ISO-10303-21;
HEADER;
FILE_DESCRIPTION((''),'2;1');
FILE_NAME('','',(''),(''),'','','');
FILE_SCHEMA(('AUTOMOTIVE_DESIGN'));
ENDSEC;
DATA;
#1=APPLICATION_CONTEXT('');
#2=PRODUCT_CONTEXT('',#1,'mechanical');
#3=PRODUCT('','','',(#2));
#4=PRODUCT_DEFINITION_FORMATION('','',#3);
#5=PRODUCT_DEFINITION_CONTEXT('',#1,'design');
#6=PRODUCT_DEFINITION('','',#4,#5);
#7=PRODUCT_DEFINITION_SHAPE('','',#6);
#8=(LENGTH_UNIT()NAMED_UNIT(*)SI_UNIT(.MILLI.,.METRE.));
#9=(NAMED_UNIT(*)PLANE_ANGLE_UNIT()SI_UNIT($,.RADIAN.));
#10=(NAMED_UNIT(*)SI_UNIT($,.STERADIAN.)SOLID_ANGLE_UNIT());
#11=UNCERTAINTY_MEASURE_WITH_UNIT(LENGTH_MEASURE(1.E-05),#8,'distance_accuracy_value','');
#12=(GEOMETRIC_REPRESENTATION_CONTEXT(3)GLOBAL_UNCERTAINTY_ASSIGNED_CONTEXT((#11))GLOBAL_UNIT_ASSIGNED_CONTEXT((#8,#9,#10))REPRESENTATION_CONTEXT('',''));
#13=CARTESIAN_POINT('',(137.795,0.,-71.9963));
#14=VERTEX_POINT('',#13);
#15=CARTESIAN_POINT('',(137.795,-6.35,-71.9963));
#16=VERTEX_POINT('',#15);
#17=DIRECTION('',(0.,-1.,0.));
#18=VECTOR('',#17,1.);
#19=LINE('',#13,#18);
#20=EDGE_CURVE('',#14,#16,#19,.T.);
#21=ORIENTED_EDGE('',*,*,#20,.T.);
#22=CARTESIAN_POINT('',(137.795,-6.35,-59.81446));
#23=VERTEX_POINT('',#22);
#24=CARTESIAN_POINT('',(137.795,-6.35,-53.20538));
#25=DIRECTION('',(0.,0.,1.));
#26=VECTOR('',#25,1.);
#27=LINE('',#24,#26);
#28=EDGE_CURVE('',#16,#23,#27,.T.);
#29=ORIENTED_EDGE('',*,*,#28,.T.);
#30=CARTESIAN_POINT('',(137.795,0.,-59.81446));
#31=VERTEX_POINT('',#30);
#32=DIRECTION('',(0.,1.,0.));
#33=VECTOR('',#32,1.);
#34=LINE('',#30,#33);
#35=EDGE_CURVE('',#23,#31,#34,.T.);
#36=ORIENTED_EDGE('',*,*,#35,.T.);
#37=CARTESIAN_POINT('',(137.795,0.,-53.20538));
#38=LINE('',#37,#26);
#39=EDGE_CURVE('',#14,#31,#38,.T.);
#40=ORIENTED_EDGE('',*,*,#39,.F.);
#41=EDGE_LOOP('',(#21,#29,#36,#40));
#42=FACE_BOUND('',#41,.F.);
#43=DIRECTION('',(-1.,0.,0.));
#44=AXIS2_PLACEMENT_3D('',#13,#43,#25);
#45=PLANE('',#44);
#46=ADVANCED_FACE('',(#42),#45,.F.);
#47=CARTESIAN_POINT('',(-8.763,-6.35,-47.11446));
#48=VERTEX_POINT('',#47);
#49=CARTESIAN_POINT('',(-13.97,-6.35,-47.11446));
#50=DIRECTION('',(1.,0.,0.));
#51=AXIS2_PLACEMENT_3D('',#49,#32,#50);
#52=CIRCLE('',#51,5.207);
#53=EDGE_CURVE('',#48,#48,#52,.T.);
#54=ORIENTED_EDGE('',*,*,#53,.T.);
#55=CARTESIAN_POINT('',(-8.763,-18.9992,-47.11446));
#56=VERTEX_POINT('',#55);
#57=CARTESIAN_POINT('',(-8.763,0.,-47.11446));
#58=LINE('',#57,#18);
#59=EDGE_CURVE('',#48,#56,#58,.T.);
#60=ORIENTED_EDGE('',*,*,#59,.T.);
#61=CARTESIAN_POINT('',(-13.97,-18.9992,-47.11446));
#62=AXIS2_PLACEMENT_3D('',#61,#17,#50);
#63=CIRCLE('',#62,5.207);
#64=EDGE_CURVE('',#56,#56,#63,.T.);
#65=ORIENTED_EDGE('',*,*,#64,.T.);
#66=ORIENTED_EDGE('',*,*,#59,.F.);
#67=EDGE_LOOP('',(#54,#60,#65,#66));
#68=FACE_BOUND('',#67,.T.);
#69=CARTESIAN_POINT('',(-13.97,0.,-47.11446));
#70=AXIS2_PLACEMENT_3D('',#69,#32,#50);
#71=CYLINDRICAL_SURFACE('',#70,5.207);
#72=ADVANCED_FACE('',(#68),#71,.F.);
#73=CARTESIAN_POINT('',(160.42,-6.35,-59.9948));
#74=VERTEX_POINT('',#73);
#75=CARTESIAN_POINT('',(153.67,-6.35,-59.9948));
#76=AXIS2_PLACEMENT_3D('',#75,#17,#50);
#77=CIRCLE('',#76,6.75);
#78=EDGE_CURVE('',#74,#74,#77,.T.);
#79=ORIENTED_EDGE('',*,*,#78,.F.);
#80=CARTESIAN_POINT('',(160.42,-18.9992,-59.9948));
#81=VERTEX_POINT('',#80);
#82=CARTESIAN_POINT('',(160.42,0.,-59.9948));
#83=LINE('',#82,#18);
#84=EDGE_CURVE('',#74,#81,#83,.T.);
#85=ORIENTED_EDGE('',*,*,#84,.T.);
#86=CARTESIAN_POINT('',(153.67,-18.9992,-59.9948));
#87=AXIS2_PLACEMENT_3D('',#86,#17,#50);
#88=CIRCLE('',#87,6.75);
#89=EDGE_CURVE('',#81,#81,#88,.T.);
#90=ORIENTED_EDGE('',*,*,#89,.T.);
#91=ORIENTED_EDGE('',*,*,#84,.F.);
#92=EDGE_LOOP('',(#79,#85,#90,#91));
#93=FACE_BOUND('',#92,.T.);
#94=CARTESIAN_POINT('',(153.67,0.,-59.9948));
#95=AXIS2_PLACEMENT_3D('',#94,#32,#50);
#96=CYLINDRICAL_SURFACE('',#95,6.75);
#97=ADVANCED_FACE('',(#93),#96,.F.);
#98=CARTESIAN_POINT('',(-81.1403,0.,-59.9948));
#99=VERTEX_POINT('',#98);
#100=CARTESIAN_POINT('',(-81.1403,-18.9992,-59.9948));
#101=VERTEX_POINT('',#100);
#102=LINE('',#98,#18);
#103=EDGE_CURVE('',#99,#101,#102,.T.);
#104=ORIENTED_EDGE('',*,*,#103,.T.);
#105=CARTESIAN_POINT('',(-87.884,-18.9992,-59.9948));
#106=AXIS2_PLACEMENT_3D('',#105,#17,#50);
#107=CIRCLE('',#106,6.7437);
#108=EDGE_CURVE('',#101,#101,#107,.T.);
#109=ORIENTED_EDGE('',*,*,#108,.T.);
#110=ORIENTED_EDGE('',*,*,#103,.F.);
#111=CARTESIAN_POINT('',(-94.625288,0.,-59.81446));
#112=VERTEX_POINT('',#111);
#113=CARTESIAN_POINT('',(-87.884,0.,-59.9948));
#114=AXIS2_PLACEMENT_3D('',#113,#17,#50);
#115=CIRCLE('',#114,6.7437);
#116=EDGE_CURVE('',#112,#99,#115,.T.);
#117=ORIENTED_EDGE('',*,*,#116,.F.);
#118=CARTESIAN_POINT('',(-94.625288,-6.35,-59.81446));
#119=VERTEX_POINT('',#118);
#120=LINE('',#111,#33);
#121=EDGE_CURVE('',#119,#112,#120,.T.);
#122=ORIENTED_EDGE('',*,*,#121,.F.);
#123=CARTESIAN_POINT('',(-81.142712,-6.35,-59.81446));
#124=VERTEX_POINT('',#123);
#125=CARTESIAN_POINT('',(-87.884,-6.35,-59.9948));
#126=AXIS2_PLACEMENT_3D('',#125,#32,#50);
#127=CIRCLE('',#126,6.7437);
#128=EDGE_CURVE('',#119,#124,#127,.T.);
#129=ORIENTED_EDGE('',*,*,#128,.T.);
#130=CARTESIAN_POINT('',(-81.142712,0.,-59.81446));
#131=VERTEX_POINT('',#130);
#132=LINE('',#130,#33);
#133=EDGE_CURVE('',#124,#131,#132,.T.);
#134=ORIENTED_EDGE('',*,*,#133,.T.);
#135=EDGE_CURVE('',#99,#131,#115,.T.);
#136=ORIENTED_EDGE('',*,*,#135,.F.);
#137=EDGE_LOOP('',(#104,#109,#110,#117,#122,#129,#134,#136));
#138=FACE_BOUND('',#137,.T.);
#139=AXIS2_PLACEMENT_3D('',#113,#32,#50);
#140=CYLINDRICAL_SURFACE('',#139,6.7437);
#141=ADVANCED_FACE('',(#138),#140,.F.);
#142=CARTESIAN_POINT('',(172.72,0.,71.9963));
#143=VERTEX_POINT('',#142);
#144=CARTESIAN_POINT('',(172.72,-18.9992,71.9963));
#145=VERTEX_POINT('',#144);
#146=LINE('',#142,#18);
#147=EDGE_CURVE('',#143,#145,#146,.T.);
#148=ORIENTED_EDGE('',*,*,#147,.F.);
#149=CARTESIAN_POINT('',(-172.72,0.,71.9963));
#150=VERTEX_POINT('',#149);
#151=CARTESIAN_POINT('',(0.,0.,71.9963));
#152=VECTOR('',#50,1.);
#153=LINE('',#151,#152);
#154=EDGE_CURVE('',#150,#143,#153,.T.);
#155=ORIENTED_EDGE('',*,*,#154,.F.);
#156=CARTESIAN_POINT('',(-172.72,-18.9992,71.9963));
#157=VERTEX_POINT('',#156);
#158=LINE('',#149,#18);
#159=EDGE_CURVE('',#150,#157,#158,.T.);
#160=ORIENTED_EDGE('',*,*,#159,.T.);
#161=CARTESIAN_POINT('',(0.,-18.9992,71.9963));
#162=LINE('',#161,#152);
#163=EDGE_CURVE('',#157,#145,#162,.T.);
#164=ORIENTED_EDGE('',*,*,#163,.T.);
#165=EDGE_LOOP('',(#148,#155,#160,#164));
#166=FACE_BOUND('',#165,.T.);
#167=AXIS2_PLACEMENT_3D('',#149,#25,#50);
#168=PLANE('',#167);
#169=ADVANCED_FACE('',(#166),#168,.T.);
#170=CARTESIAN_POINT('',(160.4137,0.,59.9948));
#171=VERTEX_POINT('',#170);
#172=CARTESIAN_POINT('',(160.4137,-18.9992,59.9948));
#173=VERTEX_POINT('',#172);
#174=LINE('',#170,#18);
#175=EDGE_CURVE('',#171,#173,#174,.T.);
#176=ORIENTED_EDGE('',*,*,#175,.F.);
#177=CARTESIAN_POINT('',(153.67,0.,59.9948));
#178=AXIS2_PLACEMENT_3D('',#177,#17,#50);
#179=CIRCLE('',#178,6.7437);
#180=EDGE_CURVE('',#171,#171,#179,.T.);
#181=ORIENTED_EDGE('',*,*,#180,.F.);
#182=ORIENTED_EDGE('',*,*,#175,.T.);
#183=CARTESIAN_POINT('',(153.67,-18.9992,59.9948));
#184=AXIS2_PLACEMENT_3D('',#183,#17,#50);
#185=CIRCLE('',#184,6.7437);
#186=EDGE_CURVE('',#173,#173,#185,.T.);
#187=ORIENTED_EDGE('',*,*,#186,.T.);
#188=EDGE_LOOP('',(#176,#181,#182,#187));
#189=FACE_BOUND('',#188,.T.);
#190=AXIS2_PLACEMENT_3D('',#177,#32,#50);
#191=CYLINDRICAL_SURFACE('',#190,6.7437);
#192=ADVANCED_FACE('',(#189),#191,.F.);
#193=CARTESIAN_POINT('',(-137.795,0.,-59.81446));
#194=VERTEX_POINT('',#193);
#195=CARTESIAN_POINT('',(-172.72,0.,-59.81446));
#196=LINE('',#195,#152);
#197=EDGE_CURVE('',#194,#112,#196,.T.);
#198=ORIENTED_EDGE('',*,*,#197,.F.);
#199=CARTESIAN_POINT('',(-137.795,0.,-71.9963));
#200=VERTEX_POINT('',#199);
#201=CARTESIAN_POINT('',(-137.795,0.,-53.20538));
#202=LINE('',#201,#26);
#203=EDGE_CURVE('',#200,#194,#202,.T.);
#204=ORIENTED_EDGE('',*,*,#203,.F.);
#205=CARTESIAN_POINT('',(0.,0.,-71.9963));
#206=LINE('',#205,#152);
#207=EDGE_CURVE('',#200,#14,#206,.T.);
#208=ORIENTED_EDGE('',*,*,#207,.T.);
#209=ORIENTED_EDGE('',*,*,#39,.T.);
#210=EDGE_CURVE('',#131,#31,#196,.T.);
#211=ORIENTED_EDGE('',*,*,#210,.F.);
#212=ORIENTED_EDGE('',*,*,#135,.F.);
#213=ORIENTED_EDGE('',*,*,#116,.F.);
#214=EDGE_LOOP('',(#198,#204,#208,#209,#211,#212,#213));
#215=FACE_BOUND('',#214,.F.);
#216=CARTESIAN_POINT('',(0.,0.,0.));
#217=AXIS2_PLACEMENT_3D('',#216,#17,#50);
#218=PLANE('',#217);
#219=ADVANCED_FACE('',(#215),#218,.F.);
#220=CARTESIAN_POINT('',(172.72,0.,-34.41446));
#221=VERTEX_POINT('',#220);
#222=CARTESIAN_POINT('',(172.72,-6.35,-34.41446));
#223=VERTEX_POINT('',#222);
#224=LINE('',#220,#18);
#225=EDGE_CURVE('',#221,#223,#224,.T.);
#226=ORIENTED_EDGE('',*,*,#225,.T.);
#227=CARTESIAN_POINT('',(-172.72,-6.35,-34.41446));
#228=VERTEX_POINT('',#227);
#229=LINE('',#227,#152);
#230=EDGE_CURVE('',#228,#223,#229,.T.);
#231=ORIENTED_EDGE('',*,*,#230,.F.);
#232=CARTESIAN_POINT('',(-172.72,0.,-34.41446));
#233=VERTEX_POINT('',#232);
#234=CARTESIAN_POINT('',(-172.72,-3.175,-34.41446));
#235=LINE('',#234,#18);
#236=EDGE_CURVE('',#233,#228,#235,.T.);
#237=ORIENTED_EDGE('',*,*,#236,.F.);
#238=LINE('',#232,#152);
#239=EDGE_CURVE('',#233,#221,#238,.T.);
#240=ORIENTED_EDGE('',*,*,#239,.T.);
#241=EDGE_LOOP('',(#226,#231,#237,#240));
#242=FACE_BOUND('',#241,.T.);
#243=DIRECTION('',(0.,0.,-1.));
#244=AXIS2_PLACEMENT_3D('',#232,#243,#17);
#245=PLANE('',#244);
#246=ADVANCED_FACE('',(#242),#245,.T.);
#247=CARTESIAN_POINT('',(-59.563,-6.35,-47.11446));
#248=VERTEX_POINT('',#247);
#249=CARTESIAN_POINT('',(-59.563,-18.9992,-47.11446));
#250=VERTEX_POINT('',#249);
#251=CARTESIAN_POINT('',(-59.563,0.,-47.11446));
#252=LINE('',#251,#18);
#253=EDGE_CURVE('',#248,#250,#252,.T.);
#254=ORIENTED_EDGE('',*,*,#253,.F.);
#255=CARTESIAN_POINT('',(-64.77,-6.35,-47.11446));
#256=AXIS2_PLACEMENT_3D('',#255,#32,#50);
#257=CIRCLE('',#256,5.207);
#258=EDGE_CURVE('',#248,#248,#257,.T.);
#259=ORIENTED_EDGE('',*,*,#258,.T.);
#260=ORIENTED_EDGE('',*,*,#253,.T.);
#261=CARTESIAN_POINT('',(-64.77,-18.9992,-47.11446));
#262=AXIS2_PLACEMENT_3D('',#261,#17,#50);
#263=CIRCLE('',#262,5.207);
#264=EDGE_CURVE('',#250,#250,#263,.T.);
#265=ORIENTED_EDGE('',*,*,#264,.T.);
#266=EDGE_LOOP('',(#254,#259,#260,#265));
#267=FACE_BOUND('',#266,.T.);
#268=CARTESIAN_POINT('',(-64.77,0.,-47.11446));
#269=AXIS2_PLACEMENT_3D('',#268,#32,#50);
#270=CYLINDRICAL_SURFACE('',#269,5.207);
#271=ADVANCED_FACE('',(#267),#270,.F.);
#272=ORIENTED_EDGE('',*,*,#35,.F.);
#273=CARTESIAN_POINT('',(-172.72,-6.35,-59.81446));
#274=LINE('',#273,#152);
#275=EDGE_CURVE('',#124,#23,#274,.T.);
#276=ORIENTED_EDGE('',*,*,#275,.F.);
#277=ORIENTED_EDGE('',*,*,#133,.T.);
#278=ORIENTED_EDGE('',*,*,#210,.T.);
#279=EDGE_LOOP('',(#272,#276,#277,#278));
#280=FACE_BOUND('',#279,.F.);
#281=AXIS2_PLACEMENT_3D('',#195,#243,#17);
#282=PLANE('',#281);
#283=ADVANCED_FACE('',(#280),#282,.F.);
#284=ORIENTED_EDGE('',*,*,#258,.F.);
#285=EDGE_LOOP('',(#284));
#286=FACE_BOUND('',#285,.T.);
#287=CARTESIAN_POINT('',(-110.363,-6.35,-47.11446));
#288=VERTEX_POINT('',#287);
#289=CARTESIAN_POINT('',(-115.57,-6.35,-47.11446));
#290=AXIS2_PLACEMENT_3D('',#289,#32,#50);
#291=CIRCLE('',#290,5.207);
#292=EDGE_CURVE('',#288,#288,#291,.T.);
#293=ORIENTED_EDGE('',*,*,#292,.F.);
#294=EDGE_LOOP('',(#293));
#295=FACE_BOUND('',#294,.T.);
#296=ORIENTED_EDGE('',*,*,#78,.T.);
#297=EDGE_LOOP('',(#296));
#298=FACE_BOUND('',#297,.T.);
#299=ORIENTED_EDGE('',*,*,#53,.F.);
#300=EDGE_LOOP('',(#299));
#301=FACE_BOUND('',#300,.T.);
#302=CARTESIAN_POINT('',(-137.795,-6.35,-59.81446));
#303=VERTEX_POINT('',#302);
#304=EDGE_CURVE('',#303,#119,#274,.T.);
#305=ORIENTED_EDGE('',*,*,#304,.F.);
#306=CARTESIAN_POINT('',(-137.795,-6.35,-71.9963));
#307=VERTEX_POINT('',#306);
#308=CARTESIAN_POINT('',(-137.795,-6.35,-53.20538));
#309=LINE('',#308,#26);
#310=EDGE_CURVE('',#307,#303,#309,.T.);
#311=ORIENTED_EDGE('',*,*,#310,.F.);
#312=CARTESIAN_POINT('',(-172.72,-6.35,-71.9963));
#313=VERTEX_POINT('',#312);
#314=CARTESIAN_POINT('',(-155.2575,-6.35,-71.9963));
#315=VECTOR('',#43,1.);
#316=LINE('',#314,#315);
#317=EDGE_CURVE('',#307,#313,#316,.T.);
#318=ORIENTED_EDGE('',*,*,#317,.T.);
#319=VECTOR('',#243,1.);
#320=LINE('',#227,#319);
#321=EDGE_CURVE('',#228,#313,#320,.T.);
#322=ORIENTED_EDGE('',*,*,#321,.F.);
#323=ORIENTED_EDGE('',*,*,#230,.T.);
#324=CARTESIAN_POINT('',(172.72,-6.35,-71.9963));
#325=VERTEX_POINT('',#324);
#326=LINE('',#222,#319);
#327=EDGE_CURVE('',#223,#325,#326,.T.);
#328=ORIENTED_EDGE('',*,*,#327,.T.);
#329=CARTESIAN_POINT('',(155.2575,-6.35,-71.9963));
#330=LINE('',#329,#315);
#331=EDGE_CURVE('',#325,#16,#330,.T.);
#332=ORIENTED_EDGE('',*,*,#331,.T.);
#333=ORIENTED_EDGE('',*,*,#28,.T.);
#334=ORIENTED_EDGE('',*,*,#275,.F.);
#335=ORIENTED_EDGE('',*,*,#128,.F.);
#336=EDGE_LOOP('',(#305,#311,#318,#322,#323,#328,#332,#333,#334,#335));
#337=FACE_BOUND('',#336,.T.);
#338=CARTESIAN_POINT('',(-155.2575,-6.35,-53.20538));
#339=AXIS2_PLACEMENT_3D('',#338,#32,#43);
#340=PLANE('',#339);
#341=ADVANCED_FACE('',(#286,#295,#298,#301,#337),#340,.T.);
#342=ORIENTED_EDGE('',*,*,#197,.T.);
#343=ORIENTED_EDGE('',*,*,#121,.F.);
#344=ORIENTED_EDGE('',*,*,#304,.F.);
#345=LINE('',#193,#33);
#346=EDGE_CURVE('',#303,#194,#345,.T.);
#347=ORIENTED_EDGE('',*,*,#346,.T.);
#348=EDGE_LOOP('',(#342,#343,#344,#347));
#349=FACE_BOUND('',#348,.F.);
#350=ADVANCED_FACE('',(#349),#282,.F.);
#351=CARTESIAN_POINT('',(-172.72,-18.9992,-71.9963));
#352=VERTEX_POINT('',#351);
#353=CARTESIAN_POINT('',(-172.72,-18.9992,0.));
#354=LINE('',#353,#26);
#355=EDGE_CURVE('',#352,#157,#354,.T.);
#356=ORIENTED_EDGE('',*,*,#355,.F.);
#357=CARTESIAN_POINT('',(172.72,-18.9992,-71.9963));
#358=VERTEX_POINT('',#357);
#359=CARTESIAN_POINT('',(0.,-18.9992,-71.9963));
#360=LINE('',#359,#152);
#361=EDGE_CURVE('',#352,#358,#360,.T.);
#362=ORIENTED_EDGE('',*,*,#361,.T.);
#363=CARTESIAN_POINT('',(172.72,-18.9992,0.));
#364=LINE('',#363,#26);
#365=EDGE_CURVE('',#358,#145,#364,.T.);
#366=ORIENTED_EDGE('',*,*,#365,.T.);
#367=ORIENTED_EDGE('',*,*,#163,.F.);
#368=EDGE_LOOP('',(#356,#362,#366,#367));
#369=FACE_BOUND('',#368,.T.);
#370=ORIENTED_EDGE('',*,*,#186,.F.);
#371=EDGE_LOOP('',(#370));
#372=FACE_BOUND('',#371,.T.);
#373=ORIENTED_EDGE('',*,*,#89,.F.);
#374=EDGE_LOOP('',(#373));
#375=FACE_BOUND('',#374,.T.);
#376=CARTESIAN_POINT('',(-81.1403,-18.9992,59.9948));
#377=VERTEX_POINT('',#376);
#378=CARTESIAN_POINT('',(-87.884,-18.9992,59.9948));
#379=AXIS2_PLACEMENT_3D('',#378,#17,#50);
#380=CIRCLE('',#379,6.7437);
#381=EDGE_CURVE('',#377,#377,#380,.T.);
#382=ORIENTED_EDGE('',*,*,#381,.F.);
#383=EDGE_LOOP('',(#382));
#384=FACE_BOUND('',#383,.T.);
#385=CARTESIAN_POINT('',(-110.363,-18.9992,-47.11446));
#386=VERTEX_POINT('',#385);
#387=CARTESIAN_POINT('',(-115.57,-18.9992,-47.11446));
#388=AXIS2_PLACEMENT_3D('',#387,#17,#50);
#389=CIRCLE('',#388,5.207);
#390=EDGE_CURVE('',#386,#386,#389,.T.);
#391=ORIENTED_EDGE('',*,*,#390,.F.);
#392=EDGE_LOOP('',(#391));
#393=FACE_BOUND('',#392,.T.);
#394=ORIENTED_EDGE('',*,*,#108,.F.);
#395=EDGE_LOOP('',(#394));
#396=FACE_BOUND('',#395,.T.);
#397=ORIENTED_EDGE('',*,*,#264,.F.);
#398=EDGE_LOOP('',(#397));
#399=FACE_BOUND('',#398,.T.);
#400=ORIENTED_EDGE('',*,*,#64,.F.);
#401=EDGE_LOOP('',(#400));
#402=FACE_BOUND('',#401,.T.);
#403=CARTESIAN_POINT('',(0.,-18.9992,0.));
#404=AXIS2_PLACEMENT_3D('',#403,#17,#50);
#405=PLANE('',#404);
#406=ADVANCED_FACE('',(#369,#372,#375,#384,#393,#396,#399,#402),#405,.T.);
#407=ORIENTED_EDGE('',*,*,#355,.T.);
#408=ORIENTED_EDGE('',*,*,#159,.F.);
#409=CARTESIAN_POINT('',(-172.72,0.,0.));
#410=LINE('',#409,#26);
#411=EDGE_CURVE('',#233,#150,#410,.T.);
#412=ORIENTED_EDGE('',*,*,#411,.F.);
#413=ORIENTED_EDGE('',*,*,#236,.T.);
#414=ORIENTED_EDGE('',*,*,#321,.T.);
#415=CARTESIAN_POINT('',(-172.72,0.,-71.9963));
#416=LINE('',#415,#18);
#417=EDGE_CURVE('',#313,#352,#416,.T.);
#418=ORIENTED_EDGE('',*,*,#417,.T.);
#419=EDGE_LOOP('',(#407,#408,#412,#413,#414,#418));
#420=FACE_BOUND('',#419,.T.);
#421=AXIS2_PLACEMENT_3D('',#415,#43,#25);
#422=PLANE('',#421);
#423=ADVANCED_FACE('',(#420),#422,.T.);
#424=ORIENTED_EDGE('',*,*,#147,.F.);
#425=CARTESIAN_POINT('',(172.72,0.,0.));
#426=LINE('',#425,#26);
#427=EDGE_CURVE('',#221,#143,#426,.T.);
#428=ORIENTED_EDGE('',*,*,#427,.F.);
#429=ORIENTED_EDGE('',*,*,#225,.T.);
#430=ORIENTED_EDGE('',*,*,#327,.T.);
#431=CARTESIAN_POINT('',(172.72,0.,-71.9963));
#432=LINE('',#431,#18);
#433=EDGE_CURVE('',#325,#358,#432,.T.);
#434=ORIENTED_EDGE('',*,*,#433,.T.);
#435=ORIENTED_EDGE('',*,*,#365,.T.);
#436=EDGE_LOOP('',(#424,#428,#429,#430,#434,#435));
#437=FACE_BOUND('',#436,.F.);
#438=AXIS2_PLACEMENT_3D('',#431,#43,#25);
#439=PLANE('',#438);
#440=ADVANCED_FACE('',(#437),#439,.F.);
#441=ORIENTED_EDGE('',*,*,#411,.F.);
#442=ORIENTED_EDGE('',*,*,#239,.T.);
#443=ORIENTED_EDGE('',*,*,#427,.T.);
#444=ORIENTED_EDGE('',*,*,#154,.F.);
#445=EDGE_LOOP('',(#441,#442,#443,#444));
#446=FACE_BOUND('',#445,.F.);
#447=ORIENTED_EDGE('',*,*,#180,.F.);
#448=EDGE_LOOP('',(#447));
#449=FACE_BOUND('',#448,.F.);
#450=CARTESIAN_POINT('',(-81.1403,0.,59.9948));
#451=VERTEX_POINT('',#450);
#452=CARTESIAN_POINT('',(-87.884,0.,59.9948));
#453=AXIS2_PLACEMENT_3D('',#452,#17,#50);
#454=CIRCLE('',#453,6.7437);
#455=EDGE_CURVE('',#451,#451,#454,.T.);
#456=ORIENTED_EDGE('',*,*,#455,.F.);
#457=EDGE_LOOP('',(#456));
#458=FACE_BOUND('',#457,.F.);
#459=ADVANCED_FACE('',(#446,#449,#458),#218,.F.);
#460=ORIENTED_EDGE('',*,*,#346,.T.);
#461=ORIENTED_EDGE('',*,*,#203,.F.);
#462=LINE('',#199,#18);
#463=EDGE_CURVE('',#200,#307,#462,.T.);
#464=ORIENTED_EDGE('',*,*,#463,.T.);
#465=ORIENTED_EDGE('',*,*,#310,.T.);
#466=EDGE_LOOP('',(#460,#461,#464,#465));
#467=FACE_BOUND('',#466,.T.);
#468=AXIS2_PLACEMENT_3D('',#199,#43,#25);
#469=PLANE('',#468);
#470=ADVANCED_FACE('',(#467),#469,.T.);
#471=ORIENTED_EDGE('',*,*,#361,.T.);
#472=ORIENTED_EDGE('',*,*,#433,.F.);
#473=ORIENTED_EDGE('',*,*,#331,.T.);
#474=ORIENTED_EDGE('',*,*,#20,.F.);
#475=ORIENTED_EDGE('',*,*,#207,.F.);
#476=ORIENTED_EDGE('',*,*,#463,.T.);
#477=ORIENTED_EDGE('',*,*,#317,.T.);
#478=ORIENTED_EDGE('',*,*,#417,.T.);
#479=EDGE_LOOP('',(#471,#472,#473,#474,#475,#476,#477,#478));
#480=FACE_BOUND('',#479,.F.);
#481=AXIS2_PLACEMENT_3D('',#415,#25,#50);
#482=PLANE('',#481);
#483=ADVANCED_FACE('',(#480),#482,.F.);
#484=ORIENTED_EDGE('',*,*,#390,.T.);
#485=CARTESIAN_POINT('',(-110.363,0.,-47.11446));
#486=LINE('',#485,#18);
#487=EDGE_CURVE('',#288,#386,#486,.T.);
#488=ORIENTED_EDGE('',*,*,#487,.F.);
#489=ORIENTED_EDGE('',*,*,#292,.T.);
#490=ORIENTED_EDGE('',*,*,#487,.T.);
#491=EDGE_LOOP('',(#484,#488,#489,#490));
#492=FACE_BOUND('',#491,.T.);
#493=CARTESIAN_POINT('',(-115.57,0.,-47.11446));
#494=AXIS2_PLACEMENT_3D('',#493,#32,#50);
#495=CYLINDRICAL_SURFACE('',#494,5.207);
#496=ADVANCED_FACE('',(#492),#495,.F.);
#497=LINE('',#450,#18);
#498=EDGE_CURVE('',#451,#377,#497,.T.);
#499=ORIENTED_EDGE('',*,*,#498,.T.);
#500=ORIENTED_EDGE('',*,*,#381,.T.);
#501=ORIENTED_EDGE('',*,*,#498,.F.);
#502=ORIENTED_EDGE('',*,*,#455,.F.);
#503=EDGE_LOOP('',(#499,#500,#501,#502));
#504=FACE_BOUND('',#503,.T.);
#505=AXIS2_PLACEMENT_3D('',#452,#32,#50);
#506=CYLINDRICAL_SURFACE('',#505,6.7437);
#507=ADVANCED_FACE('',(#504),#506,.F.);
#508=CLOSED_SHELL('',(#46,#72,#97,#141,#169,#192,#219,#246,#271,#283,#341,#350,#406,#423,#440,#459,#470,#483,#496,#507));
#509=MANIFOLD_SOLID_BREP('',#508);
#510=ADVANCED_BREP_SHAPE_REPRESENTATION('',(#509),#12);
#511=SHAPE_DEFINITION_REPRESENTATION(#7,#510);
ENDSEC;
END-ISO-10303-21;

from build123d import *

# Parameters (mm, degrees)
F0_W     = 345.44
F0_H     = 143.9926
F0_R     = 6.7437
F0_R_2   = 5.207
F0_R_3   = 6.75
F1_DEPTH = 18.9992
F2_W     = 6.35
F2_H     = 25.4
F3_DEPTH = 345.441
F4_W     = 34.925
F4_H     = 37.58184
F5_DEPTH = 6.35


with BuildPart() as f1:
    # F0 (on Front) → F1 (new body)
    with BuildSketch(Plane.XZ):
        Rectangle(F0_W, F0_H)
        with Locations((-87.884, -59.9948)):
            Circle(F0_R, mode=Mode.SUBTRACT)
        with Locations((-115.57, -47.11446)):
            Circle(F0_R_2, mode=Mode.SUBTRACT)
        with Locations((-64.77, -47.11446)):
            Circle(F0_R_2, mode=Mode.SUBTRACT)
        with Locations((-13.97, -47.11446)):
            Circle(F0_R_2, mode=Mode.SUBTRACT)
        with Locations((153.67, -59.9948)):
            Circle(F0_R_3, mode=Mode.SUBTRACT)
        with Locations((-87.884, 59.9948)):
            Circle(F0_R, mode=Mode.SUBTRACT)
        with Locations((153.67, 59.9948)):
            Circle(F0_R, mode=Mode.SUBTRACT)
    extrude(amount=F1_DEPTH)

    # F2 (on face) → F3 (cut, through all)
    with BuildSketch(Plane(origin=(-172.72, 0, 0), x_dir=(0, -1, 0), z_dir=(-1, 0, 0))):
        with Locations((3.175, -47.11446)):
            Rectangle(F2_W, F2_H)
    extrude(amount=-F3_DEPTH, mode=Mode.SUBTRACT)

    # F4 (on face) → F5 (cut, through all)
    with BuildSketch(Plane(origin=(0, 0, 0), x_dir=(-1, 0, 0), z_dir=(0, 1, 0))):
        with Locations((-155.2575, -53.20538)):
            Rectangle(F4_W, F4_H)
        with Locations((155.2575, -53.20538)):
            Rectangle(F4_W, F4_H)
    extrude(amount=-F5_DEPTH, mode=Mode.SUBTRACT)


solid = f1.part
